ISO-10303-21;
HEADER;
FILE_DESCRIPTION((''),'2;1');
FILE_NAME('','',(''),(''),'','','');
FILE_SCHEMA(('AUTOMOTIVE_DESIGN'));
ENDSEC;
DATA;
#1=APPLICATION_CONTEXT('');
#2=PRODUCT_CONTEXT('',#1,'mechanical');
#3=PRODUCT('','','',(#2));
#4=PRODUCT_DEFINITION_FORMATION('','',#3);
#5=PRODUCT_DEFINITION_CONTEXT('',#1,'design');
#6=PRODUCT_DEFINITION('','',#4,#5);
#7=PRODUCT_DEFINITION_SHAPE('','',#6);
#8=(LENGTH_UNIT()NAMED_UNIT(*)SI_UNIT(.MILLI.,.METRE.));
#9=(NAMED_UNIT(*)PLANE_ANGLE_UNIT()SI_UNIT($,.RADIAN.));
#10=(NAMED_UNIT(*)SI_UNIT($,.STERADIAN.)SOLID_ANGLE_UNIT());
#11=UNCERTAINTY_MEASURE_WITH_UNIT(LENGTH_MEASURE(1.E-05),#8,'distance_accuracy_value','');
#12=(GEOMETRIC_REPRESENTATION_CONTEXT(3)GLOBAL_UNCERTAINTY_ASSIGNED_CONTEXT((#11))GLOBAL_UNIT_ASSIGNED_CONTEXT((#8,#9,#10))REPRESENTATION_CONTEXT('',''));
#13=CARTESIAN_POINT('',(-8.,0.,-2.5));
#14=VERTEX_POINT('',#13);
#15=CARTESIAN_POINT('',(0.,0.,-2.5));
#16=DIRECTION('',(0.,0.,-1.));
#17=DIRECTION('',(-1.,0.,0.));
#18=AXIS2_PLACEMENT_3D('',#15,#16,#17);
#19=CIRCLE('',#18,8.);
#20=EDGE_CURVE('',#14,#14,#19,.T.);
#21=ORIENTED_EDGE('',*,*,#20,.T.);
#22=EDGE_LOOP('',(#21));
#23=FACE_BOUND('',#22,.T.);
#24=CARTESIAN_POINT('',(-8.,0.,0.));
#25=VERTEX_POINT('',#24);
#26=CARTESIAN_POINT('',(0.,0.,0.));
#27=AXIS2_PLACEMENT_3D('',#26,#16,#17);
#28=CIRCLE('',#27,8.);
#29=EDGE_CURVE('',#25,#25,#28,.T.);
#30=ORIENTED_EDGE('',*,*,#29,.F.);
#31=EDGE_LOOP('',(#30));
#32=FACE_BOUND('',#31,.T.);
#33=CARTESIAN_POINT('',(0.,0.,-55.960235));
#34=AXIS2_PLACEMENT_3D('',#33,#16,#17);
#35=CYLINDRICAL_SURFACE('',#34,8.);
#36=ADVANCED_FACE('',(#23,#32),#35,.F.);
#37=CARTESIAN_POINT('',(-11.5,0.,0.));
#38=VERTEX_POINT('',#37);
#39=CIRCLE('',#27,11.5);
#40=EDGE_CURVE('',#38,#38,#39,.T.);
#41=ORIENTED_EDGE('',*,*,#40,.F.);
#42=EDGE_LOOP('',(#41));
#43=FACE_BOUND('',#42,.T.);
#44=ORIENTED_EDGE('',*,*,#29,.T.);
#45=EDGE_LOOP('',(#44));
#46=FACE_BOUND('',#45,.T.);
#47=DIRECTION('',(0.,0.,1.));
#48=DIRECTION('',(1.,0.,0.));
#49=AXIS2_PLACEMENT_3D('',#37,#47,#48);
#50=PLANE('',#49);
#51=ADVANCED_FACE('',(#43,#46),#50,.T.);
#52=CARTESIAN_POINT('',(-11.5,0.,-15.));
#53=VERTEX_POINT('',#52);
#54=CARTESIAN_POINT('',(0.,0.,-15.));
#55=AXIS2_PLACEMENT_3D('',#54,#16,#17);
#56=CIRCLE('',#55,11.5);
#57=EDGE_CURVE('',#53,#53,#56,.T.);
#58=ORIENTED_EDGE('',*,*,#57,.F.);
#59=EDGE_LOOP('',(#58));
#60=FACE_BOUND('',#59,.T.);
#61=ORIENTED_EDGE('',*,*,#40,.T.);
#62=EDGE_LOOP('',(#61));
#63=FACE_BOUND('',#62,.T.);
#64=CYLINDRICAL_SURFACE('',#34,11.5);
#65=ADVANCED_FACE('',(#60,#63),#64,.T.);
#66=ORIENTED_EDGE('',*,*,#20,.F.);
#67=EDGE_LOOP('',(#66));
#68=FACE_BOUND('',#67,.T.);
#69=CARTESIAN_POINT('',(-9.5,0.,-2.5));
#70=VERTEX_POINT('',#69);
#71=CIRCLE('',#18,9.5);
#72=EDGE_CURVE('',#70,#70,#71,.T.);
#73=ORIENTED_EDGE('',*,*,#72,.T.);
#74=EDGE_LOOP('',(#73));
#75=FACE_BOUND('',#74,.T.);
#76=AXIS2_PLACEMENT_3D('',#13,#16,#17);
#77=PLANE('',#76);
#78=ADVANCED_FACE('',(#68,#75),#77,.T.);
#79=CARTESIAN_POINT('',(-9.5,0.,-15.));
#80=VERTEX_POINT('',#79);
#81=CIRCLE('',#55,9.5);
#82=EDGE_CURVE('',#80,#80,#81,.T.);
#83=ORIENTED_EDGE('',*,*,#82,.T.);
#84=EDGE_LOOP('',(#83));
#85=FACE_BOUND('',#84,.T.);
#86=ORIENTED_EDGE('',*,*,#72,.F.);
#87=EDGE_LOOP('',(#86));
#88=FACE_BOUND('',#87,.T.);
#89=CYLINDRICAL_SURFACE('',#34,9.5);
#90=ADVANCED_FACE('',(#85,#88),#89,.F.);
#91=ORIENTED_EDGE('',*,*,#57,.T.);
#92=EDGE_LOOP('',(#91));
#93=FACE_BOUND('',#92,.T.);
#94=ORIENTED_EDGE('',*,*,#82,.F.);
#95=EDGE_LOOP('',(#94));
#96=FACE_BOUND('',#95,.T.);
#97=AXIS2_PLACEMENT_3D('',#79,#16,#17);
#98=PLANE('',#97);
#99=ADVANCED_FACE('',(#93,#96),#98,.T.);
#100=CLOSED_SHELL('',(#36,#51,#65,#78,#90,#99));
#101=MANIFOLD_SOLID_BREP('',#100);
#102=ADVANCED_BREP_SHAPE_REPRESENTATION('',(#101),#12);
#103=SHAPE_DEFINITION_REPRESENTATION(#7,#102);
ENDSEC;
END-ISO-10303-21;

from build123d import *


with BuildPart() as part:
    # Sketch1 → Revolve1 (revolve)
    with BuildSketch(Plane(origin=(0, 0, 0), x_dir=(1, 0, 0), z_dir=(0, 1, 0))):
        Polygon((-11.5, 15), (-11.5, 0), (-8, 0), (-8, 2.5), (-9.5, 2.5), (-9.5, 15), align=None)
    revolve(axis=Axis((0, 0, -55.960235465), (0, 0, 1)))


solid = part.part
